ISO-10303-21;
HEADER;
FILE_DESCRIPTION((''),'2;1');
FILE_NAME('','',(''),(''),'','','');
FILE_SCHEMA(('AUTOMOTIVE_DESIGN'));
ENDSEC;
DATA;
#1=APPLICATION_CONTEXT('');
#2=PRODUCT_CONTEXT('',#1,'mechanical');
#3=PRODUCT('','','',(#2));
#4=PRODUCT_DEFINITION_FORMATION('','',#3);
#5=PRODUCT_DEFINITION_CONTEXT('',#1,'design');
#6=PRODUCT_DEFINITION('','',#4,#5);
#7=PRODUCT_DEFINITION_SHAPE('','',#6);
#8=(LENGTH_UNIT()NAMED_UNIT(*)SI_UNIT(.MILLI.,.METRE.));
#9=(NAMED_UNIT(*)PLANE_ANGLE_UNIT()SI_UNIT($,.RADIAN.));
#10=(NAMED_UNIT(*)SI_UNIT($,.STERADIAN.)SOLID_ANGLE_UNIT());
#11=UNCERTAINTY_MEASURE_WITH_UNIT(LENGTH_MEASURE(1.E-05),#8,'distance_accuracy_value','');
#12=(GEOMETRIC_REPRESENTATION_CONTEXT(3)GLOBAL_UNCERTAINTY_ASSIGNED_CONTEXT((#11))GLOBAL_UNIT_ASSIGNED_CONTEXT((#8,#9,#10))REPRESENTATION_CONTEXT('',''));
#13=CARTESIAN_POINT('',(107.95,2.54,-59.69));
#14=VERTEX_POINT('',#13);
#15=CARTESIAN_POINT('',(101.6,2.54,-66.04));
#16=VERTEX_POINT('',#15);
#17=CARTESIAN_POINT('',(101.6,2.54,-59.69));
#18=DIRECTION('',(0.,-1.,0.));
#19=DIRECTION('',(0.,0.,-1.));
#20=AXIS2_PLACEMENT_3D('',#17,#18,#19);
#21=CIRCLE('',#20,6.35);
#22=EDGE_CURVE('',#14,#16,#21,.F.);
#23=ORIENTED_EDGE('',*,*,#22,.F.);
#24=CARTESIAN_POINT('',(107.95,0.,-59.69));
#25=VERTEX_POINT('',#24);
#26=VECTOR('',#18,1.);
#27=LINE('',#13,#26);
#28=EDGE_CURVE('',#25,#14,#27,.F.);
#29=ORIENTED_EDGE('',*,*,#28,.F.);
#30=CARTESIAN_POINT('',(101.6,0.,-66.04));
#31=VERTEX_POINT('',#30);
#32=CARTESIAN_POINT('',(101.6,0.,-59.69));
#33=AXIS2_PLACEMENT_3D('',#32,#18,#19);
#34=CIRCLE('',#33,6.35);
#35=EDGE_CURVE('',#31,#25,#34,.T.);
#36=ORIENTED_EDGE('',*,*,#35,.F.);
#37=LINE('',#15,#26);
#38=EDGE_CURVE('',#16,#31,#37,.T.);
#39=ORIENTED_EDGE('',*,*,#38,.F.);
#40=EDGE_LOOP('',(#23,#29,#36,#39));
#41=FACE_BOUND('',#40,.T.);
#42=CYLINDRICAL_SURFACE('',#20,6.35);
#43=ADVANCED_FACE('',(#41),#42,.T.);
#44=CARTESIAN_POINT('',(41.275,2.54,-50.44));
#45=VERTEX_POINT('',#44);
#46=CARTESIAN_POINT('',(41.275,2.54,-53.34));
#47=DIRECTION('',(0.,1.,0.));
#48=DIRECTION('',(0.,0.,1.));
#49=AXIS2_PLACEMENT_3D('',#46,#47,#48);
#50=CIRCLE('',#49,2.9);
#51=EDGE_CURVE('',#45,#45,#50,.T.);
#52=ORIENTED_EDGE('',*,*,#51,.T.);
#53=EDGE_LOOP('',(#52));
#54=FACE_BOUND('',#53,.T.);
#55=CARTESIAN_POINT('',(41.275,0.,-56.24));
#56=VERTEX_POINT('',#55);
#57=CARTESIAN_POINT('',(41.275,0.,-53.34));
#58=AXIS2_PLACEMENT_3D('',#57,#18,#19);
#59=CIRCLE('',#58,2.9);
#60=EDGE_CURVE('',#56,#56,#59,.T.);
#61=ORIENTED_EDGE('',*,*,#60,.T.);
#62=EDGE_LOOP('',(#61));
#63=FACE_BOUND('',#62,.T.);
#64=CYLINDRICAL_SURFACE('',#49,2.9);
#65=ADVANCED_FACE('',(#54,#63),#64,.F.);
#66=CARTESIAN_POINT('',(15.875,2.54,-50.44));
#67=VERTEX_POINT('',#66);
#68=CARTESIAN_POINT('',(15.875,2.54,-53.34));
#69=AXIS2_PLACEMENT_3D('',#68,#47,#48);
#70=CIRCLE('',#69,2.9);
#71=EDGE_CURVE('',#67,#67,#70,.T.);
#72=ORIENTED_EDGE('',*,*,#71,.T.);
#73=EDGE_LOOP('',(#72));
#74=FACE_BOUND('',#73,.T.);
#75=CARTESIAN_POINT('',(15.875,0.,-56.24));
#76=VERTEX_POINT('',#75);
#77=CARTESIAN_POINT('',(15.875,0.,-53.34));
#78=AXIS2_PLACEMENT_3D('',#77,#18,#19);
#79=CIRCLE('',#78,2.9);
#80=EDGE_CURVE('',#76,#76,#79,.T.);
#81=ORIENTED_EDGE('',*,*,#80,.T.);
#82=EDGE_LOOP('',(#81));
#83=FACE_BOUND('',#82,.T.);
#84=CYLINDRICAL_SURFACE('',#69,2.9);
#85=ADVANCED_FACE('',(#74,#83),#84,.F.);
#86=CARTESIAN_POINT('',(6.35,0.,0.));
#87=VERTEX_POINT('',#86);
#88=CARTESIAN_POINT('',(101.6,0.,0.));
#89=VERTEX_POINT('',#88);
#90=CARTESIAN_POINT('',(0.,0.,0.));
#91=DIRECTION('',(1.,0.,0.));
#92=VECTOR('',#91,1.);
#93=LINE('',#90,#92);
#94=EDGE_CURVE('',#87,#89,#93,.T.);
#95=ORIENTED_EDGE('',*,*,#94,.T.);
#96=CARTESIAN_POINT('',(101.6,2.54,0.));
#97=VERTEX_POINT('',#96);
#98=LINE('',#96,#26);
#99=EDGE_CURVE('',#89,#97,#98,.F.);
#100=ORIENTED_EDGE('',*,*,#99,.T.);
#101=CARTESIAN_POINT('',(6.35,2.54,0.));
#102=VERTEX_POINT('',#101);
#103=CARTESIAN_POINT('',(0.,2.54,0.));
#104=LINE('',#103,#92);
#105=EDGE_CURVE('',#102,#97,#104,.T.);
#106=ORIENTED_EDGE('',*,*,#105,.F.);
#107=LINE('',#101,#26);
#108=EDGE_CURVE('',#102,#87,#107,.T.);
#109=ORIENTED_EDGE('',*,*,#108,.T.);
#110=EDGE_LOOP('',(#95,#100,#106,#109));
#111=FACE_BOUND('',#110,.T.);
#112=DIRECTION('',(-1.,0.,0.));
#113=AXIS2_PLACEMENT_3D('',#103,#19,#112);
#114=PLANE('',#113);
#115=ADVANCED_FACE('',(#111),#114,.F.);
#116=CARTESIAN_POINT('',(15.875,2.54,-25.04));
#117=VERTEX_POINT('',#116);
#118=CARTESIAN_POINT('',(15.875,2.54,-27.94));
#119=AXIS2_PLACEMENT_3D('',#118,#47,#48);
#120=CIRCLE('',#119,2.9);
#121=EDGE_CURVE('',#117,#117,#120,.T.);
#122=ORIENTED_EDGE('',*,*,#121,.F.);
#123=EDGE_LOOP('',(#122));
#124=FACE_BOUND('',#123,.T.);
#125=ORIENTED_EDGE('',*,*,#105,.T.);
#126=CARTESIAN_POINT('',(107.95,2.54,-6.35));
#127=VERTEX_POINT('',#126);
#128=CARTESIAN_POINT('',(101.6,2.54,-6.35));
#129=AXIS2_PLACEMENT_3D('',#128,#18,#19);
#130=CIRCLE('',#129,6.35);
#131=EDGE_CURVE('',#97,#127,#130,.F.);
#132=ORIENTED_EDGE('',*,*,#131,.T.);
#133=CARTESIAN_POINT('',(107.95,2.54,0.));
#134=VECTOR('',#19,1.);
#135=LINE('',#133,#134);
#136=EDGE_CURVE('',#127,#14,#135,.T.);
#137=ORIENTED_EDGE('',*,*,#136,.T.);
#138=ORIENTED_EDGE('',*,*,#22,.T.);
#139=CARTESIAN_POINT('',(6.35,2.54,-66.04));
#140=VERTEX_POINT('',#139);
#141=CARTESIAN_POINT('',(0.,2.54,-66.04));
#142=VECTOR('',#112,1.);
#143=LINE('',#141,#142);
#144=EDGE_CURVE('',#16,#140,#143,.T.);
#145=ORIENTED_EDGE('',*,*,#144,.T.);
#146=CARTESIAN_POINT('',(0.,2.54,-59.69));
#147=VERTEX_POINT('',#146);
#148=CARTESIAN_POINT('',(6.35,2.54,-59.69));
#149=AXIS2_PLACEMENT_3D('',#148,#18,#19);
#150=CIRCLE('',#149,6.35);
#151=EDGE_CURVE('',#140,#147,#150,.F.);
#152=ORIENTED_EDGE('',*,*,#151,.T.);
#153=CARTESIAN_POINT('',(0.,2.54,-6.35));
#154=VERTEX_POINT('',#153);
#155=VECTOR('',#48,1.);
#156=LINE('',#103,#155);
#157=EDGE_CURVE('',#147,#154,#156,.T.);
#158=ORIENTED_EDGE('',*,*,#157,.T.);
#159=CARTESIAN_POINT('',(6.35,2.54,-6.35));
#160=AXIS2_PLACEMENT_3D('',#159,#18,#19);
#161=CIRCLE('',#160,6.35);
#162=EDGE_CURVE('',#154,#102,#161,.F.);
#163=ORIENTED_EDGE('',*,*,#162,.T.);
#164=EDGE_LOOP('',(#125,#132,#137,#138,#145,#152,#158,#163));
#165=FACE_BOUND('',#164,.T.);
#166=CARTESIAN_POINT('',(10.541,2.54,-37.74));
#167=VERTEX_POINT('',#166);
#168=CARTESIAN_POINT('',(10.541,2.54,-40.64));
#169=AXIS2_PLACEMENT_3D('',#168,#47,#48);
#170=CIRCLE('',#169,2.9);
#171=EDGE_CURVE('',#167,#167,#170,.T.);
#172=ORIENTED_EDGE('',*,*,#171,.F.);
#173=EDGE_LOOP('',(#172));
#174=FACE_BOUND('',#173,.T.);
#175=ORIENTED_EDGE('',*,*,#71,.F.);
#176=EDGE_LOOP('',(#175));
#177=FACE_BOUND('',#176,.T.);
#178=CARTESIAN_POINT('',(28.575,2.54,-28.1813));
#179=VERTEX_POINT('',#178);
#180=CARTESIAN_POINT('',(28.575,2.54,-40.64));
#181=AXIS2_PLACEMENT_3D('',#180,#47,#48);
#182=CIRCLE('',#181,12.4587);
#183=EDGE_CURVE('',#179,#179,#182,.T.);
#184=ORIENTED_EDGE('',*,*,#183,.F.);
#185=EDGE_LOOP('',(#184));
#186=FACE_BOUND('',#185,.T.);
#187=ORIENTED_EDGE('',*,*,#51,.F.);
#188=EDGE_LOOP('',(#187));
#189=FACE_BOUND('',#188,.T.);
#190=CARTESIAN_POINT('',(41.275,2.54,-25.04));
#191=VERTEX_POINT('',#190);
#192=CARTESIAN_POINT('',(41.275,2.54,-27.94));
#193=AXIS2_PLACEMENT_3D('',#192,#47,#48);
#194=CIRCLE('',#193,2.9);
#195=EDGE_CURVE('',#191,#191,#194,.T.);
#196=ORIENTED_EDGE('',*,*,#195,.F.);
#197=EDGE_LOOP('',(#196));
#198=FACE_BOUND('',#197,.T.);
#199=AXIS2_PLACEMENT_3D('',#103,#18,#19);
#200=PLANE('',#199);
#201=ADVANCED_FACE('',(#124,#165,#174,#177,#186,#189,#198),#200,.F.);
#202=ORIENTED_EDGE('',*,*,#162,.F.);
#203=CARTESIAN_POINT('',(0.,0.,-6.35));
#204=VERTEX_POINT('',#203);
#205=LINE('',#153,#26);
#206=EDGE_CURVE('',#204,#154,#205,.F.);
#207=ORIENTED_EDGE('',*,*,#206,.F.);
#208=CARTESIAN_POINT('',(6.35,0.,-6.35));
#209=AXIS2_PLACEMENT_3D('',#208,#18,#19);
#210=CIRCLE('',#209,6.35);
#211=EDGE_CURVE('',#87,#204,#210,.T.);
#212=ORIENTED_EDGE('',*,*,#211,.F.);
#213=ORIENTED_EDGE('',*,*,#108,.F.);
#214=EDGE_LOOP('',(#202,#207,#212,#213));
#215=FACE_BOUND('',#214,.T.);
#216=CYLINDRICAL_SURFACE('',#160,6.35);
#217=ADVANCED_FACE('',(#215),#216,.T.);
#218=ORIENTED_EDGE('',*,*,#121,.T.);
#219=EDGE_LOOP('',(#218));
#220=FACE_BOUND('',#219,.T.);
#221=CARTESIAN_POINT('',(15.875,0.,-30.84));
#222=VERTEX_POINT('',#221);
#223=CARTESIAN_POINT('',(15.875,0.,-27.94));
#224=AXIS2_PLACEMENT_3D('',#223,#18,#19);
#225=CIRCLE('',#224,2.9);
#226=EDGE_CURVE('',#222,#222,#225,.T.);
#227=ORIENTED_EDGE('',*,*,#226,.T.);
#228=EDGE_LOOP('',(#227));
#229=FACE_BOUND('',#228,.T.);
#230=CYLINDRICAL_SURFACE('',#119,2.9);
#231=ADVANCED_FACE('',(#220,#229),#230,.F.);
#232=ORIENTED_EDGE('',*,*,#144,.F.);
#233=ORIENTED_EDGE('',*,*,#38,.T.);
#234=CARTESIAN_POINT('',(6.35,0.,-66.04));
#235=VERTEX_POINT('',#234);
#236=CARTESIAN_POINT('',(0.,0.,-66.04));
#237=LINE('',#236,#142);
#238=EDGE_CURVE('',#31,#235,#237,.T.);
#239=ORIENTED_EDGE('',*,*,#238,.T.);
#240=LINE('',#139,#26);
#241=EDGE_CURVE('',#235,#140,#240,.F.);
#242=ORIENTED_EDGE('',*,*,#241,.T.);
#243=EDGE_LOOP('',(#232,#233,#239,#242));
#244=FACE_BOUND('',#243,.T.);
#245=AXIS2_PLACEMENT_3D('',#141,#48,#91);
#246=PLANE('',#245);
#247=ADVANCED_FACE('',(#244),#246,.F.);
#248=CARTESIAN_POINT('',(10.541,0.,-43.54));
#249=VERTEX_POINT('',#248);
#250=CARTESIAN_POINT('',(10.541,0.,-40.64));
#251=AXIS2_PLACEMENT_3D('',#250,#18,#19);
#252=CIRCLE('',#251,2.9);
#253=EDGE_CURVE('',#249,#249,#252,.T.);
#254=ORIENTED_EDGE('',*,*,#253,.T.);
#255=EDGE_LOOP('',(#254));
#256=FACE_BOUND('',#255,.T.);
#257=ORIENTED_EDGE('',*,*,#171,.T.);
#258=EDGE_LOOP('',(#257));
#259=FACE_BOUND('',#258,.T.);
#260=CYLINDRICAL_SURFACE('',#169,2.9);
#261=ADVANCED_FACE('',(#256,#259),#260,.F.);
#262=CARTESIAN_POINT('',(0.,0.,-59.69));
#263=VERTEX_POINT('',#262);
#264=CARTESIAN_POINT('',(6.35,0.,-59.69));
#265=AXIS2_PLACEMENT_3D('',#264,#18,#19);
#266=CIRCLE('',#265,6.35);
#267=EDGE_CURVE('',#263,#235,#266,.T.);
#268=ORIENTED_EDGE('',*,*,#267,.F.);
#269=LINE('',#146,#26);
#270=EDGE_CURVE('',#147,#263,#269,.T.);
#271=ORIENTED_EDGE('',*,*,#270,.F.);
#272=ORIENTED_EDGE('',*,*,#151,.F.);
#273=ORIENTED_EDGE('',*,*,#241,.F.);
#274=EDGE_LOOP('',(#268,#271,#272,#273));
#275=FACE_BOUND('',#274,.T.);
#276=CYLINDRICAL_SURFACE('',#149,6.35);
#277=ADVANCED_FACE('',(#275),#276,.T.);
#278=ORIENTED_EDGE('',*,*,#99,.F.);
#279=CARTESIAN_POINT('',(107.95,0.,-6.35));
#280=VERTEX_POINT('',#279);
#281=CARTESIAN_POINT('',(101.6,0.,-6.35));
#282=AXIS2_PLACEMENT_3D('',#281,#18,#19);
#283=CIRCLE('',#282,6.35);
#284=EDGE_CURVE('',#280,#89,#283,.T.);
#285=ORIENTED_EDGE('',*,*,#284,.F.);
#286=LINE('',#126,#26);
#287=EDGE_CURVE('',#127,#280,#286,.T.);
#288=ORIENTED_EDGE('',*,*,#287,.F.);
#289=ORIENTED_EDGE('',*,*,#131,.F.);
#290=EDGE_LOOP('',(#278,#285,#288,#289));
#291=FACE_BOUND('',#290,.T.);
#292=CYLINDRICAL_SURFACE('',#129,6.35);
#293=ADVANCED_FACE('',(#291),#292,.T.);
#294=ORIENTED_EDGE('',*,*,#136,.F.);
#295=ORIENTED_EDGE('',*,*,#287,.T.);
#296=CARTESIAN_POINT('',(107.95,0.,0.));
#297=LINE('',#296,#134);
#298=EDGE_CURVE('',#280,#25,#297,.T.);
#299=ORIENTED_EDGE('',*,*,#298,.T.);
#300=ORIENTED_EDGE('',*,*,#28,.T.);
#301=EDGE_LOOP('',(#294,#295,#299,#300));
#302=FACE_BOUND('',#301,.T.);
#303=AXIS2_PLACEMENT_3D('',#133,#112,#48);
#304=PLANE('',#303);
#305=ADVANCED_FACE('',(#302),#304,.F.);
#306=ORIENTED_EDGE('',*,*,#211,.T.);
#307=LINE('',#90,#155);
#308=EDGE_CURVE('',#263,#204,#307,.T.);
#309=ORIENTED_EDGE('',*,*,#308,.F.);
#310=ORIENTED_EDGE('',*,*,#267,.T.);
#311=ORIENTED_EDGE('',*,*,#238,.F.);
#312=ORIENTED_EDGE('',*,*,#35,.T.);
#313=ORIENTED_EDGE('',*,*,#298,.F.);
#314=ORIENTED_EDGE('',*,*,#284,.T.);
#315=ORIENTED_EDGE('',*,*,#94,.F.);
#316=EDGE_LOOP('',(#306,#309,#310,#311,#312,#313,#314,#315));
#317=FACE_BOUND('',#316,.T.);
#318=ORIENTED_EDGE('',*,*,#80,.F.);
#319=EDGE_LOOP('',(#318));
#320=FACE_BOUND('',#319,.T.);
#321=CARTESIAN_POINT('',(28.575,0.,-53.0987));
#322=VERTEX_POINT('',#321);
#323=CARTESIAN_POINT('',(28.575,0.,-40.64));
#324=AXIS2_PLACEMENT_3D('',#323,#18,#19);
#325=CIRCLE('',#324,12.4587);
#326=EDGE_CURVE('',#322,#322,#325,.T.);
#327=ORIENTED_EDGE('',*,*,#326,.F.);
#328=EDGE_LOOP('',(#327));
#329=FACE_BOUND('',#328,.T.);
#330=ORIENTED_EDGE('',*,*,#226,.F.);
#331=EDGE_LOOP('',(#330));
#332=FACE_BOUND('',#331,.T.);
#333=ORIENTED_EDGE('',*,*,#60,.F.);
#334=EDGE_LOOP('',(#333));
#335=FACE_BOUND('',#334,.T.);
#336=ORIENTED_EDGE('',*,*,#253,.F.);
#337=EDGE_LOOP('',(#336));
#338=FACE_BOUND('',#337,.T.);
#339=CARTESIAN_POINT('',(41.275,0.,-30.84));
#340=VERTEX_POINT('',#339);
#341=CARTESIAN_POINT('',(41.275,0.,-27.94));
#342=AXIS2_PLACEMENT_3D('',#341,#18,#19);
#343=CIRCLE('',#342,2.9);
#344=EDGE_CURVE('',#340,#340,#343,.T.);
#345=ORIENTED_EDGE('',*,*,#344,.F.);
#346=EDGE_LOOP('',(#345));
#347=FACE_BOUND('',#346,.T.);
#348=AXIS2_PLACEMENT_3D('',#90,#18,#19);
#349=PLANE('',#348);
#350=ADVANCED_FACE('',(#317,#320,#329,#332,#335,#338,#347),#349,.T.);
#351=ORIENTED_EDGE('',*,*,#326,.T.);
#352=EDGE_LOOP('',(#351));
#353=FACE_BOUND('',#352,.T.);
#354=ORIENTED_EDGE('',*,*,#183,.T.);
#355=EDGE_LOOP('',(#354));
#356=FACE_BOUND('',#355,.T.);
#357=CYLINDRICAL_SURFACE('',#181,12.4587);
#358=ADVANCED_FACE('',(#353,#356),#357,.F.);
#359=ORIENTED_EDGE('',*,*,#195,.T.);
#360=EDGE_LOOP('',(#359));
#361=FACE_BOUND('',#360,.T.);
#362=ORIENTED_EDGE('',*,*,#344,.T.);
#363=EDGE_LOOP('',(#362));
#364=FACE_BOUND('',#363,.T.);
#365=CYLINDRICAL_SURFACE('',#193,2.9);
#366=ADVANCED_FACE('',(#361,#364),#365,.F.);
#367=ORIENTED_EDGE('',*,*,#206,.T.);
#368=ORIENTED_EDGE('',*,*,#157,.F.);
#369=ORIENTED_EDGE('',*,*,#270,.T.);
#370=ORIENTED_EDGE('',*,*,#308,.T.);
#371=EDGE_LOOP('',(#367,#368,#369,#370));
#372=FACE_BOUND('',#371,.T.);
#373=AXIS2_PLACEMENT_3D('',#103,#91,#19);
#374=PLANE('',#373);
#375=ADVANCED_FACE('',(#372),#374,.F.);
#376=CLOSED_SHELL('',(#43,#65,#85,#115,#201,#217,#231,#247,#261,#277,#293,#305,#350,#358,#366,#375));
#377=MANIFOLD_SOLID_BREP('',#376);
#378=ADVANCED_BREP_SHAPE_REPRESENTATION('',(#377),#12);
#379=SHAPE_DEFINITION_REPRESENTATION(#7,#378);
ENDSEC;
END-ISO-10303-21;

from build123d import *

# Parameters (mm, degrees)
SKETCH1_W                   = 107.95
SKETCH1_H                   = 66.04
BOSS_EXTRUDE1_DEPTH         = 2.54
M5_CLEARANCE_HOLE1_D        = 5.8
F_97_0_981_DIAMETER_HOLE1_D = 24.9174
FILLET1_R                   = 6.35


with BuildPart() as part:
    # Sketch1 → Boss-Extrude1 (new body)
    with BuildSketch(Plane(origin=(0, 0, 0), x_dir=(1, 0, 0), z_dir=(0, 1, 0))):
        with Locations((53.975, 33.02)):
            Rectangle(SKETCH1_W, SKETCH1_H)
    extrude(amount=BOSS_EXTRUDE1_DEPTH)

    # M5 Clearance Hole1 (through all)
    with Locations(Plane(origin=(0, 2.54, 0), x_dir=(1, 0, 0), z_dir=(0, 1, 0))):
        with Locations((15.875, 53.34), (41.275, 53.34), (41.275, 27.94), (15.875, 27.94), (10.541, 40.64)):
            Hole(M5_CLEARANCE_HOLE1_D / 2)

    # #97 (0.981) Diameter Hole1 (through all)
    with Locations(Plane(origin=(0, 2.54, 0), x_dir=(1, 0, 0), z_dir=(0, 1, 0))):
        with Locations((28.575, 40.64)):
            Hole(F_97_0_981_DIAMETER_HOLE1_D / 2)

    # Fillet1
    fillet1_edges = [part.edges().sort_by_distance(p)[0] for p in [
        (0, 1.27, -66.04),
        (107.95, 1.27, -66.04),
        (107.95, 1.27, 0),
        (0, 1.27, 0),
    ]]
    fillet(fillet1_edges, radius=FILLET1_R)


solid = part.part
